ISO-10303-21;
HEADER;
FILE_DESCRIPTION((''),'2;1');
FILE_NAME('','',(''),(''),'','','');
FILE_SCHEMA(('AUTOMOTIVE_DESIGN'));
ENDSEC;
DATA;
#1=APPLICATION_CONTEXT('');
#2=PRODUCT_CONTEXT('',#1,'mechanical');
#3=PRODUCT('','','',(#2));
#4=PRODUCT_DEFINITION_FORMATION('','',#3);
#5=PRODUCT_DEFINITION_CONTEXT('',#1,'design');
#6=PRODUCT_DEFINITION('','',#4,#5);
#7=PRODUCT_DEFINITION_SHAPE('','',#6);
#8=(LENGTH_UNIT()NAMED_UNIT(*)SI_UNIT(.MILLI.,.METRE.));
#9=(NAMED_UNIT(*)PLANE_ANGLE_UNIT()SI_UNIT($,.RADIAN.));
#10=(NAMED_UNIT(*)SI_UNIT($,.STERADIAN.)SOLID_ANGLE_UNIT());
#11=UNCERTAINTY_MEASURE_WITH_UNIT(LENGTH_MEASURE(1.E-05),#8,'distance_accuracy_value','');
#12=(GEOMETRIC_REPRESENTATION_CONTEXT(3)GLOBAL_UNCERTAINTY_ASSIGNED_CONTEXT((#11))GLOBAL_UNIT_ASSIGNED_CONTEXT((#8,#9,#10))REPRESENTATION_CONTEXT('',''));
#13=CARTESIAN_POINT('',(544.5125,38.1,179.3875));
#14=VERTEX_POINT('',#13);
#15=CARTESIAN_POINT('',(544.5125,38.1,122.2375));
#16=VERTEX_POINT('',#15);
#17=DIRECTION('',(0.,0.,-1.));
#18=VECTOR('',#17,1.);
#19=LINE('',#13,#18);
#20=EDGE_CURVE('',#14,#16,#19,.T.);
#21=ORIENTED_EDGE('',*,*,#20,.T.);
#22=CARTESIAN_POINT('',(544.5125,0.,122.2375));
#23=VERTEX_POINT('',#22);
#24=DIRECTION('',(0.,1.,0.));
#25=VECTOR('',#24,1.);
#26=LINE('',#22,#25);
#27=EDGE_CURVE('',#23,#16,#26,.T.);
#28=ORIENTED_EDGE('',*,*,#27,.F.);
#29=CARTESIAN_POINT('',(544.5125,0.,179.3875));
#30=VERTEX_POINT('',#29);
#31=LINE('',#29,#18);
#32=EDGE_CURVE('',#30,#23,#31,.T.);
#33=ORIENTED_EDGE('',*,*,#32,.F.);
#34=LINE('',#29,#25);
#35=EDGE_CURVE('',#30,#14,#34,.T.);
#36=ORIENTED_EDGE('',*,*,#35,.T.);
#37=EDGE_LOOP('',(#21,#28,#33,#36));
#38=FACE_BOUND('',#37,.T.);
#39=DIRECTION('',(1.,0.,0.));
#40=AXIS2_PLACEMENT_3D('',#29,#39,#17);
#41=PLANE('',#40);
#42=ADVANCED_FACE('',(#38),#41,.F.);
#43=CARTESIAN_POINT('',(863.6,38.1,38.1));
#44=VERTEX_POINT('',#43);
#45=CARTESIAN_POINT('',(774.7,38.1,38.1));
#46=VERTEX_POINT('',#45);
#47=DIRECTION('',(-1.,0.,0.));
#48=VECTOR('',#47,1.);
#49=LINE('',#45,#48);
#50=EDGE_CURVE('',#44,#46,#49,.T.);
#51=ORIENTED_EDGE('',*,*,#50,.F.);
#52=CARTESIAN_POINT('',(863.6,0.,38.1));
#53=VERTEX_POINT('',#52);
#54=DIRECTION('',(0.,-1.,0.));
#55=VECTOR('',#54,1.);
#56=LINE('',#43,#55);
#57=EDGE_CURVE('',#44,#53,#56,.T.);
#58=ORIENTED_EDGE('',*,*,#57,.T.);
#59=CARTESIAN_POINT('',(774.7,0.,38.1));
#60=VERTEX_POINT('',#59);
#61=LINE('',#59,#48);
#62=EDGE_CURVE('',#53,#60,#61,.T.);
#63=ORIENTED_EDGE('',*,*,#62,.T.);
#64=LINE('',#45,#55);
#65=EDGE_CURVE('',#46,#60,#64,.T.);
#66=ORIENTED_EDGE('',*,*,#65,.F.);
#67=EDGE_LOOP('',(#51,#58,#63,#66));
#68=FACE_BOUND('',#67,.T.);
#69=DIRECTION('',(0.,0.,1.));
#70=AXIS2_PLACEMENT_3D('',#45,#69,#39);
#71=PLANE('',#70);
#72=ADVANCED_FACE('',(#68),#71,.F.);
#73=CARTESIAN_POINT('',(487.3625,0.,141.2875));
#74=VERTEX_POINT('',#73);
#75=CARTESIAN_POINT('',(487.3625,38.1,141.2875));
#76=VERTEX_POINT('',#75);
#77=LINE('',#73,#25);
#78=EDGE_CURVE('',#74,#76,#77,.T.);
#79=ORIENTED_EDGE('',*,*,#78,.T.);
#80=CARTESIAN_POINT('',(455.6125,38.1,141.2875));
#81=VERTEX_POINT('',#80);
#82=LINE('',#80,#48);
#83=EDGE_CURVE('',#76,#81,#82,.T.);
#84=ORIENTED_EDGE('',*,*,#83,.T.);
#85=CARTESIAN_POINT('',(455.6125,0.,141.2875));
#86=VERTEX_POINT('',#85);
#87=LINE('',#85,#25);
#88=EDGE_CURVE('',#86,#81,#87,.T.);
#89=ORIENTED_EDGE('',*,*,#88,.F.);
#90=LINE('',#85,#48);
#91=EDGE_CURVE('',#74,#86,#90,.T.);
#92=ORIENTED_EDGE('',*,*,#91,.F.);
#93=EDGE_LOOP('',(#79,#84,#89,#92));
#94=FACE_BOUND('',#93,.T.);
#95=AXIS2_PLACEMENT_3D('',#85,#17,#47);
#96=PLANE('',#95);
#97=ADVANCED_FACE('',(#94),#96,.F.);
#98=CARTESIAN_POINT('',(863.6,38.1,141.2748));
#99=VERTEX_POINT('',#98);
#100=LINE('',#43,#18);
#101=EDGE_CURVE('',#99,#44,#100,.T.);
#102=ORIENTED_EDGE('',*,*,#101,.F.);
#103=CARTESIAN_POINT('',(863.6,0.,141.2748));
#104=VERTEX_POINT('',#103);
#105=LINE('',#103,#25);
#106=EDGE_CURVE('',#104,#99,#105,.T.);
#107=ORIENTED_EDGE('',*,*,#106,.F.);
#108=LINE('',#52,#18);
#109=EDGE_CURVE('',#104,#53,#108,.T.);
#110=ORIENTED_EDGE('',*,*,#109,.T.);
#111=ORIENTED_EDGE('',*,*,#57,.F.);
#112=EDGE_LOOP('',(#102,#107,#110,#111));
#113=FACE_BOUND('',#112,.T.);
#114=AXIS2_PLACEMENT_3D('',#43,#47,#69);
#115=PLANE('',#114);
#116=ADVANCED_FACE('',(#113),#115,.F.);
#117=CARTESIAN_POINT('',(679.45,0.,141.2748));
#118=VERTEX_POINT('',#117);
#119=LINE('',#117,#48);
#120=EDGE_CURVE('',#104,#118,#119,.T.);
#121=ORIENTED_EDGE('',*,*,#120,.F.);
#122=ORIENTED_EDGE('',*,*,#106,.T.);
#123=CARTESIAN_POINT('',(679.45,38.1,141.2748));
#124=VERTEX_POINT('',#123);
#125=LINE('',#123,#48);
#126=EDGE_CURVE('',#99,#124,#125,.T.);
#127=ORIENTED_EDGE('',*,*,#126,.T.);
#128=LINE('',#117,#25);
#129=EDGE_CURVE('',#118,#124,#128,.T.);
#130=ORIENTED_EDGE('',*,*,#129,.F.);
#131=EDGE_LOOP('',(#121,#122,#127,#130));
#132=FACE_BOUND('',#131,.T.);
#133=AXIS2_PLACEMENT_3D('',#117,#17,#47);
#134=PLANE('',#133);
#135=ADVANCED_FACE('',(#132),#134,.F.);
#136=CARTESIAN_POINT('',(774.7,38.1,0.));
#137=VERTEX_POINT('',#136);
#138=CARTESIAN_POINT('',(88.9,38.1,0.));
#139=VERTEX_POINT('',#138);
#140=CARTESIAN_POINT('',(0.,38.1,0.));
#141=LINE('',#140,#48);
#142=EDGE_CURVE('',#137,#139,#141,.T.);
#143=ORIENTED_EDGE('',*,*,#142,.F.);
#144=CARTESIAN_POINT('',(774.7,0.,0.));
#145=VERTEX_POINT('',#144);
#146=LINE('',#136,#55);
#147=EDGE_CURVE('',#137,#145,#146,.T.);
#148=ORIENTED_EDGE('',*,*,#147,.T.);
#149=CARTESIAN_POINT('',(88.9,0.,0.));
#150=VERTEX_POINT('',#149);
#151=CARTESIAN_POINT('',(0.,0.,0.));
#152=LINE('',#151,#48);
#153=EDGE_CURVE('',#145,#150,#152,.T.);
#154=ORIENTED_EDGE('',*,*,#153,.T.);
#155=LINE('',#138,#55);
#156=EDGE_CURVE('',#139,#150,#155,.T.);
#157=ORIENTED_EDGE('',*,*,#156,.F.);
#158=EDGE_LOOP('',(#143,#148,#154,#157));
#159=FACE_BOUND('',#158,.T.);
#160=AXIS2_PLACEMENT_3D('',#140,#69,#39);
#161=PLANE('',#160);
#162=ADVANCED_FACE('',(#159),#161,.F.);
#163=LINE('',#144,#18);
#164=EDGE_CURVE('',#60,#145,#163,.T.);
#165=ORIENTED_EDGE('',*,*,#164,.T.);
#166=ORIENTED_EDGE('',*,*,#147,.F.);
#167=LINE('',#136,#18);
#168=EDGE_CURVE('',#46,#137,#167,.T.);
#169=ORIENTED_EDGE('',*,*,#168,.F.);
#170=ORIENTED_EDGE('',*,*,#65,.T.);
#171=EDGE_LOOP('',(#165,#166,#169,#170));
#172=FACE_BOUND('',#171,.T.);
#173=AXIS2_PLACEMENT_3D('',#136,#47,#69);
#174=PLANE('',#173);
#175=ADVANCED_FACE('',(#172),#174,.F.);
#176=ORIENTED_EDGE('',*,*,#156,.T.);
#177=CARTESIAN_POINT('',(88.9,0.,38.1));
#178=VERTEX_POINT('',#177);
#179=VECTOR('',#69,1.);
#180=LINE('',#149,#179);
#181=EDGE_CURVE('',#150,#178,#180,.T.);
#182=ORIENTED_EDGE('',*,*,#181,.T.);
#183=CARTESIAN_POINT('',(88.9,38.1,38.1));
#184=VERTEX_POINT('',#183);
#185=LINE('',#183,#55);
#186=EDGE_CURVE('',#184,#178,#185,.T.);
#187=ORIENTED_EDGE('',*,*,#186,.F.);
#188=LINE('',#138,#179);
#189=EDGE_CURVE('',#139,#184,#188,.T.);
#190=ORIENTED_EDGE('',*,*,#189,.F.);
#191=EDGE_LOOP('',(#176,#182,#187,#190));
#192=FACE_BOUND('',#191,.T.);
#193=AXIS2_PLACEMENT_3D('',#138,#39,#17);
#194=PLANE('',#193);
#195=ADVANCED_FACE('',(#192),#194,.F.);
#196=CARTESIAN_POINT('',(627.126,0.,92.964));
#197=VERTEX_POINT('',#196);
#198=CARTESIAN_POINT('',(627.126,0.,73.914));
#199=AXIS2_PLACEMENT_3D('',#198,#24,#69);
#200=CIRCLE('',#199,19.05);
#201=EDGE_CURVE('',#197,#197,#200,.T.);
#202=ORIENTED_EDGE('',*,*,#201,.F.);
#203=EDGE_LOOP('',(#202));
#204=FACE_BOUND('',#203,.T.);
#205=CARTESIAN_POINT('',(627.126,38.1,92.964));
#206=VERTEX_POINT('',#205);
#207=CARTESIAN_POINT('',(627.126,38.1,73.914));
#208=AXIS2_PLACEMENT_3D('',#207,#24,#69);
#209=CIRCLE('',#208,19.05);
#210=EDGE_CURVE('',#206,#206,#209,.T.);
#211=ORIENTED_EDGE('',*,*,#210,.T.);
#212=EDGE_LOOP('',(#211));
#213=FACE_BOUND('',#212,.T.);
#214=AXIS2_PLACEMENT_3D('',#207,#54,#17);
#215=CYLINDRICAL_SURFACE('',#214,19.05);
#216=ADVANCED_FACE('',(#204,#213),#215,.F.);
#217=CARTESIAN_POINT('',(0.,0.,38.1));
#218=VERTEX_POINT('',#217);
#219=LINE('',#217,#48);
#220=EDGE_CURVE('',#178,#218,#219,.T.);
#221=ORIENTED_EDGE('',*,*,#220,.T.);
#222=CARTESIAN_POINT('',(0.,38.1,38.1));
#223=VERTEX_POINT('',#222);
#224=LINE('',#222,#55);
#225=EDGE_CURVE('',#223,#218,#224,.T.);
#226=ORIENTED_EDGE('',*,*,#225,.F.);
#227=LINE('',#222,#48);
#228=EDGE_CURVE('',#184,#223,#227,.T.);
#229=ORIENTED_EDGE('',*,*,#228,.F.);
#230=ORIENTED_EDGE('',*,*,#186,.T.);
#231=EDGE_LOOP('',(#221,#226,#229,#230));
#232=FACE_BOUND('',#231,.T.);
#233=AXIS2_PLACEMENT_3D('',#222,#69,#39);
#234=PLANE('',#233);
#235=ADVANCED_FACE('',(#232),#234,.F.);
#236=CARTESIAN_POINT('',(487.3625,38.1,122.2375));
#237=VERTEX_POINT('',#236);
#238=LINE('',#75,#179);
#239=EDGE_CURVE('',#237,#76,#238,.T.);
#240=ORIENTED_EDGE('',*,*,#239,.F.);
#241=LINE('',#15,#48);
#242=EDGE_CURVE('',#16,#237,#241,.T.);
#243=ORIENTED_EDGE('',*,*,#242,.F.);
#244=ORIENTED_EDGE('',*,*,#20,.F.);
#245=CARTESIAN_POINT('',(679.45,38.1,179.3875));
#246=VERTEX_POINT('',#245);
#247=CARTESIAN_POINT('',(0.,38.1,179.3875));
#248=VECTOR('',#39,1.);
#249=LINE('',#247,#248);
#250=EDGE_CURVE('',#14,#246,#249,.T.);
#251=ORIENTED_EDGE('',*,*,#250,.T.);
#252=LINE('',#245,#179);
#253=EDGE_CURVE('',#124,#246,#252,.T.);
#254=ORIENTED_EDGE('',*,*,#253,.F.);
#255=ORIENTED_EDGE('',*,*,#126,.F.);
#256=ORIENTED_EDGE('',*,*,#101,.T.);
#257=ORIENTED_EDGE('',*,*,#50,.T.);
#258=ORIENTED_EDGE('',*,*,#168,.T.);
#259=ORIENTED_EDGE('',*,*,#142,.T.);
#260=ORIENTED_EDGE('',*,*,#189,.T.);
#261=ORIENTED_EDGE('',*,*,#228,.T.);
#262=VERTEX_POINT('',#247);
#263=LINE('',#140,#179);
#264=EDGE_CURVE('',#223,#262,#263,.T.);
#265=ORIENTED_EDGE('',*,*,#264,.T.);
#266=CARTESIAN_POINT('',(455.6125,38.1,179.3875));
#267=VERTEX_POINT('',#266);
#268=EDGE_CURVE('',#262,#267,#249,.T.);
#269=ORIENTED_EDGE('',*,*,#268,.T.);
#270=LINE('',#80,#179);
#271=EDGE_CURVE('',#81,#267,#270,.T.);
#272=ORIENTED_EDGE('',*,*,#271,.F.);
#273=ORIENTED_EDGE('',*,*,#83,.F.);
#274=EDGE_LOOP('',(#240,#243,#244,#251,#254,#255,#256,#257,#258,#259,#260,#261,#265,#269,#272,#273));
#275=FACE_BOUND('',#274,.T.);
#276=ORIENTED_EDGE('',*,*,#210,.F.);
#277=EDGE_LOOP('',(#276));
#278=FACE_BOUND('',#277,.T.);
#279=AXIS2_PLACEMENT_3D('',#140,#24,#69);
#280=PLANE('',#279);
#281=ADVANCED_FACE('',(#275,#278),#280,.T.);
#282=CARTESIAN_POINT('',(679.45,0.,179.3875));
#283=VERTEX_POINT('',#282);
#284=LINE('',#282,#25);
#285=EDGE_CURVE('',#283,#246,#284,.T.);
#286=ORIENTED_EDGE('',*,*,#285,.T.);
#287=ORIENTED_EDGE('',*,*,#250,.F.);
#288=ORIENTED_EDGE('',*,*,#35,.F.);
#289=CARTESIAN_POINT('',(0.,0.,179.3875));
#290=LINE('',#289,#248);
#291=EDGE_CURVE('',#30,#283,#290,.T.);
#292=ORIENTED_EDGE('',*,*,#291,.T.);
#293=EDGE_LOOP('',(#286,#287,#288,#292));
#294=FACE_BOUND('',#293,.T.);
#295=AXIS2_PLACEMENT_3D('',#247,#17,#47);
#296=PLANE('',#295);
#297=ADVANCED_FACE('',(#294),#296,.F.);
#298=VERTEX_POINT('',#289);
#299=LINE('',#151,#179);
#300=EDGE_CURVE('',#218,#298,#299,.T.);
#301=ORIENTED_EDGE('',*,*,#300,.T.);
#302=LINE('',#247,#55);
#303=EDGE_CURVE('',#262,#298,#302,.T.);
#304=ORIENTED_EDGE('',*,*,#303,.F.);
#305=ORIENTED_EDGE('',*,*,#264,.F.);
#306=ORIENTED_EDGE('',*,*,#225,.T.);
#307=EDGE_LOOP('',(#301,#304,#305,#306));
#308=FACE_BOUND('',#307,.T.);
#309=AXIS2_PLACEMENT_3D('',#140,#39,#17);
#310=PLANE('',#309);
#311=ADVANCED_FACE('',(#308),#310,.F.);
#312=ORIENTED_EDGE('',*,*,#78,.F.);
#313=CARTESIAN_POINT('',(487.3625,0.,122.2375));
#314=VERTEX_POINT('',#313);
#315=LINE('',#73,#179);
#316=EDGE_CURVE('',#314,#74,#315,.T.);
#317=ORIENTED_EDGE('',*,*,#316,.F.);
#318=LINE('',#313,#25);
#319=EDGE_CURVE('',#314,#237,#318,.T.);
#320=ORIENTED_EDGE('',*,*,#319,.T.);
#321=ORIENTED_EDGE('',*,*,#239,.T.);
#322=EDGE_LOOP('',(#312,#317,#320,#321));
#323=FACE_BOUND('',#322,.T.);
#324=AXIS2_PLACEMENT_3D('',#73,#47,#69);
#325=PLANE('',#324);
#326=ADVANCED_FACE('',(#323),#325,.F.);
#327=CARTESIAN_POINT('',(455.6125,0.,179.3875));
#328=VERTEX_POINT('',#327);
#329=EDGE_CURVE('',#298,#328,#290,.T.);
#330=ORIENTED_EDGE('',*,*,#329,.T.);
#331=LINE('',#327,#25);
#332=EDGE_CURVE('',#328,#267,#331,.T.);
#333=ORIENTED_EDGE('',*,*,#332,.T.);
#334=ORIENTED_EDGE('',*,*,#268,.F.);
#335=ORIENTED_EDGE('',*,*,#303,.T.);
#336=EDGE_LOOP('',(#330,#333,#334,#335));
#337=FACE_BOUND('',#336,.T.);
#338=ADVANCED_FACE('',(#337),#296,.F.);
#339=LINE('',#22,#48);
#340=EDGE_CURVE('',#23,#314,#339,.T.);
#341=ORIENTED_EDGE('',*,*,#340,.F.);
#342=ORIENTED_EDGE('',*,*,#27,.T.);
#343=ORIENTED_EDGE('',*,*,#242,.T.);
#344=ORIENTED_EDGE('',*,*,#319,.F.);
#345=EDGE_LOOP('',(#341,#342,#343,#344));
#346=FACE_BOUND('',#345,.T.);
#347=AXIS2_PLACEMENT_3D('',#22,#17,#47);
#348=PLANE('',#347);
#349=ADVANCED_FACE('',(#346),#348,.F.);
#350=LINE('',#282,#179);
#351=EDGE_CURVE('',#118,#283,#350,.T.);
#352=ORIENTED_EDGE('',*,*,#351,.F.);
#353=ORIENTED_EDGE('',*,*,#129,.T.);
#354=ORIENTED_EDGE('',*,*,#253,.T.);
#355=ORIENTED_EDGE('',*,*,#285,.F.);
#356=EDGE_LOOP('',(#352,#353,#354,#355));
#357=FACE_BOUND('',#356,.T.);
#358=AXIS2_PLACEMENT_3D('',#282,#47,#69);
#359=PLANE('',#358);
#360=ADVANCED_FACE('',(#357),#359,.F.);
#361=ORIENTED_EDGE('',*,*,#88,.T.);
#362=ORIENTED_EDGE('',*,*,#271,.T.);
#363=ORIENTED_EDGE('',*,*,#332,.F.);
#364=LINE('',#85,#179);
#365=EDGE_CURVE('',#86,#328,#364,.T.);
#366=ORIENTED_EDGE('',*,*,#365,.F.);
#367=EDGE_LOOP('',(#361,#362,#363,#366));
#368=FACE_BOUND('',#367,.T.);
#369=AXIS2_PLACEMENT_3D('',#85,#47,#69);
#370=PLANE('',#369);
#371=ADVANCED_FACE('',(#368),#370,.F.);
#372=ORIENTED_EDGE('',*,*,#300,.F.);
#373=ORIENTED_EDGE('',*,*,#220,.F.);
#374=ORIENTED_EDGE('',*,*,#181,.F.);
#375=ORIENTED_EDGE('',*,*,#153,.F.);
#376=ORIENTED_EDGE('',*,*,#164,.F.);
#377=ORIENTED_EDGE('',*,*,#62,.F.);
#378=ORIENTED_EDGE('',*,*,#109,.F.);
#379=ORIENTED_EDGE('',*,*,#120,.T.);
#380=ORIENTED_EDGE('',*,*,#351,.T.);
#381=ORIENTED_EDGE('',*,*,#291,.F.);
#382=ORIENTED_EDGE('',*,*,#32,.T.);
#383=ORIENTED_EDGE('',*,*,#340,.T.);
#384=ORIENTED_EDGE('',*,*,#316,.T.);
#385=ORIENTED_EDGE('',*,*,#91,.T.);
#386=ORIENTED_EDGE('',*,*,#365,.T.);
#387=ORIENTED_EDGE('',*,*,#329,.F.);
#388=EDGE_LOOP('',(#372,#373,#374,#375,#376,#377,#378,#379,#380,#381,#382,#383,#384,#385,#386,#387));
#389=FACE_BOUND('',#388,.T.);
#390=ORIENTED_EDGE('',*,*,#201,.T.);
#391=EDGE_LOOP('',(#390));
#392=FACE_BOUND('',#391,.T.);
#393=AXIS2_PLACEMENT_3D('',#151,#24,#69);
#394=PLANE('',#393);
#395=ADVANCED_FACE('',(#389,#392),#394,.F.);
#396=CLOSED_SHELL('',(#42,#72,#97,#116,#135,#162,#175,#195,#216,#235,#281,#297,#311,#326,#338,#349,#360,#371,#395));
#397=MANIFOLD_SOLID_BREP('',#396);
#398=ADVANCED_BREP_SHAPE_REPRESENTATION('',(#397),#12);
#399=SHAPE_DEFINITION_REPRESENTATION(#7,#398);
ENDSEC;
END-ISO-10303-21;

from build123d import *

# Parameters (mm, degrees)
SKETCH1_R           = 19.05
BOSS_EXTRUDE1_DEPTH = 38.1
CUT_EXTRUDE5_DEPTH  = 39.1
SKETCH8_W           = 184.15
SKETCH8_H           = 38.1127
CUT_EXTRUDE6_DEPTH  = 39.1
SKETCH9_W           = 88.9
SKETCH9_H           = 38.1
CUT_EXTRUDE7_DEPTH  = 39.1


with BuildPart() as part:
    # Sketch1 → Boss-Extrude1 (new body)
    with BuildSketch(Plane(origin=(0, 0, 0), x_dir=(1, 0, 0), z_dir=(0, 1, 0))):
        Polygon((0, 0), (774.7, 0), (774.7, -38.1), (863.6, -38.1), (863.6, -179.3875), (0, -179.3875), align=None)
        with Locations((627.126, -73.914)):
            Circle(SKETCH1_R, mode=Mode.SUBTRACT)
    extrude(amount=BOSS_EXTRUDE1_DEPTH)

    # Sketch7 → Cut-Extrude5 (cut, through all)
    with BuildSketch(Plane(origin=(0, 38.1, 0), x_dir=(1, 0, 0), z_dir=(0, 1, 0))):
        Polygon((455.6125, -141.2875), (487.3625, -141.2875), (487.3625, -122.2375), (544.5125, -122.2375), (544.5125, -179.3875), (455.6125, -179.3875), align=None)
    extrude(amount=-CUT_EXTRUDE5_DEPTH, mode=Mode.SUBTRACT)

    # Sketch8 → Cut-Extrude6 (cut, through all)
    with BuildSketch(Plane(origin=(0, 38.1, 0), x_dir=(1, 0, 0), z_dir=(0, 1, 0))):
        with Locations((771.525, -160.33115)):
            Rectangle(SKETCH8_W, SKETCH8_H)
    extrude(amount=-CUT_EXTRUDE6_DEPTH, mode=Mode.SUBTRACT)

    # Sketch9 → Cut-Extrude7 (cut, through all)
    with BuildSketch(Plane.XZ):
        with Locations((44.45, 19.05)):
            Rectangle(SKETCH9_W, SKETCH9_H)
    extrude(amount=-CUT_EXTRUDE7_DEPTH, mode=Mode.SUBTRACT)


solid = part.part
